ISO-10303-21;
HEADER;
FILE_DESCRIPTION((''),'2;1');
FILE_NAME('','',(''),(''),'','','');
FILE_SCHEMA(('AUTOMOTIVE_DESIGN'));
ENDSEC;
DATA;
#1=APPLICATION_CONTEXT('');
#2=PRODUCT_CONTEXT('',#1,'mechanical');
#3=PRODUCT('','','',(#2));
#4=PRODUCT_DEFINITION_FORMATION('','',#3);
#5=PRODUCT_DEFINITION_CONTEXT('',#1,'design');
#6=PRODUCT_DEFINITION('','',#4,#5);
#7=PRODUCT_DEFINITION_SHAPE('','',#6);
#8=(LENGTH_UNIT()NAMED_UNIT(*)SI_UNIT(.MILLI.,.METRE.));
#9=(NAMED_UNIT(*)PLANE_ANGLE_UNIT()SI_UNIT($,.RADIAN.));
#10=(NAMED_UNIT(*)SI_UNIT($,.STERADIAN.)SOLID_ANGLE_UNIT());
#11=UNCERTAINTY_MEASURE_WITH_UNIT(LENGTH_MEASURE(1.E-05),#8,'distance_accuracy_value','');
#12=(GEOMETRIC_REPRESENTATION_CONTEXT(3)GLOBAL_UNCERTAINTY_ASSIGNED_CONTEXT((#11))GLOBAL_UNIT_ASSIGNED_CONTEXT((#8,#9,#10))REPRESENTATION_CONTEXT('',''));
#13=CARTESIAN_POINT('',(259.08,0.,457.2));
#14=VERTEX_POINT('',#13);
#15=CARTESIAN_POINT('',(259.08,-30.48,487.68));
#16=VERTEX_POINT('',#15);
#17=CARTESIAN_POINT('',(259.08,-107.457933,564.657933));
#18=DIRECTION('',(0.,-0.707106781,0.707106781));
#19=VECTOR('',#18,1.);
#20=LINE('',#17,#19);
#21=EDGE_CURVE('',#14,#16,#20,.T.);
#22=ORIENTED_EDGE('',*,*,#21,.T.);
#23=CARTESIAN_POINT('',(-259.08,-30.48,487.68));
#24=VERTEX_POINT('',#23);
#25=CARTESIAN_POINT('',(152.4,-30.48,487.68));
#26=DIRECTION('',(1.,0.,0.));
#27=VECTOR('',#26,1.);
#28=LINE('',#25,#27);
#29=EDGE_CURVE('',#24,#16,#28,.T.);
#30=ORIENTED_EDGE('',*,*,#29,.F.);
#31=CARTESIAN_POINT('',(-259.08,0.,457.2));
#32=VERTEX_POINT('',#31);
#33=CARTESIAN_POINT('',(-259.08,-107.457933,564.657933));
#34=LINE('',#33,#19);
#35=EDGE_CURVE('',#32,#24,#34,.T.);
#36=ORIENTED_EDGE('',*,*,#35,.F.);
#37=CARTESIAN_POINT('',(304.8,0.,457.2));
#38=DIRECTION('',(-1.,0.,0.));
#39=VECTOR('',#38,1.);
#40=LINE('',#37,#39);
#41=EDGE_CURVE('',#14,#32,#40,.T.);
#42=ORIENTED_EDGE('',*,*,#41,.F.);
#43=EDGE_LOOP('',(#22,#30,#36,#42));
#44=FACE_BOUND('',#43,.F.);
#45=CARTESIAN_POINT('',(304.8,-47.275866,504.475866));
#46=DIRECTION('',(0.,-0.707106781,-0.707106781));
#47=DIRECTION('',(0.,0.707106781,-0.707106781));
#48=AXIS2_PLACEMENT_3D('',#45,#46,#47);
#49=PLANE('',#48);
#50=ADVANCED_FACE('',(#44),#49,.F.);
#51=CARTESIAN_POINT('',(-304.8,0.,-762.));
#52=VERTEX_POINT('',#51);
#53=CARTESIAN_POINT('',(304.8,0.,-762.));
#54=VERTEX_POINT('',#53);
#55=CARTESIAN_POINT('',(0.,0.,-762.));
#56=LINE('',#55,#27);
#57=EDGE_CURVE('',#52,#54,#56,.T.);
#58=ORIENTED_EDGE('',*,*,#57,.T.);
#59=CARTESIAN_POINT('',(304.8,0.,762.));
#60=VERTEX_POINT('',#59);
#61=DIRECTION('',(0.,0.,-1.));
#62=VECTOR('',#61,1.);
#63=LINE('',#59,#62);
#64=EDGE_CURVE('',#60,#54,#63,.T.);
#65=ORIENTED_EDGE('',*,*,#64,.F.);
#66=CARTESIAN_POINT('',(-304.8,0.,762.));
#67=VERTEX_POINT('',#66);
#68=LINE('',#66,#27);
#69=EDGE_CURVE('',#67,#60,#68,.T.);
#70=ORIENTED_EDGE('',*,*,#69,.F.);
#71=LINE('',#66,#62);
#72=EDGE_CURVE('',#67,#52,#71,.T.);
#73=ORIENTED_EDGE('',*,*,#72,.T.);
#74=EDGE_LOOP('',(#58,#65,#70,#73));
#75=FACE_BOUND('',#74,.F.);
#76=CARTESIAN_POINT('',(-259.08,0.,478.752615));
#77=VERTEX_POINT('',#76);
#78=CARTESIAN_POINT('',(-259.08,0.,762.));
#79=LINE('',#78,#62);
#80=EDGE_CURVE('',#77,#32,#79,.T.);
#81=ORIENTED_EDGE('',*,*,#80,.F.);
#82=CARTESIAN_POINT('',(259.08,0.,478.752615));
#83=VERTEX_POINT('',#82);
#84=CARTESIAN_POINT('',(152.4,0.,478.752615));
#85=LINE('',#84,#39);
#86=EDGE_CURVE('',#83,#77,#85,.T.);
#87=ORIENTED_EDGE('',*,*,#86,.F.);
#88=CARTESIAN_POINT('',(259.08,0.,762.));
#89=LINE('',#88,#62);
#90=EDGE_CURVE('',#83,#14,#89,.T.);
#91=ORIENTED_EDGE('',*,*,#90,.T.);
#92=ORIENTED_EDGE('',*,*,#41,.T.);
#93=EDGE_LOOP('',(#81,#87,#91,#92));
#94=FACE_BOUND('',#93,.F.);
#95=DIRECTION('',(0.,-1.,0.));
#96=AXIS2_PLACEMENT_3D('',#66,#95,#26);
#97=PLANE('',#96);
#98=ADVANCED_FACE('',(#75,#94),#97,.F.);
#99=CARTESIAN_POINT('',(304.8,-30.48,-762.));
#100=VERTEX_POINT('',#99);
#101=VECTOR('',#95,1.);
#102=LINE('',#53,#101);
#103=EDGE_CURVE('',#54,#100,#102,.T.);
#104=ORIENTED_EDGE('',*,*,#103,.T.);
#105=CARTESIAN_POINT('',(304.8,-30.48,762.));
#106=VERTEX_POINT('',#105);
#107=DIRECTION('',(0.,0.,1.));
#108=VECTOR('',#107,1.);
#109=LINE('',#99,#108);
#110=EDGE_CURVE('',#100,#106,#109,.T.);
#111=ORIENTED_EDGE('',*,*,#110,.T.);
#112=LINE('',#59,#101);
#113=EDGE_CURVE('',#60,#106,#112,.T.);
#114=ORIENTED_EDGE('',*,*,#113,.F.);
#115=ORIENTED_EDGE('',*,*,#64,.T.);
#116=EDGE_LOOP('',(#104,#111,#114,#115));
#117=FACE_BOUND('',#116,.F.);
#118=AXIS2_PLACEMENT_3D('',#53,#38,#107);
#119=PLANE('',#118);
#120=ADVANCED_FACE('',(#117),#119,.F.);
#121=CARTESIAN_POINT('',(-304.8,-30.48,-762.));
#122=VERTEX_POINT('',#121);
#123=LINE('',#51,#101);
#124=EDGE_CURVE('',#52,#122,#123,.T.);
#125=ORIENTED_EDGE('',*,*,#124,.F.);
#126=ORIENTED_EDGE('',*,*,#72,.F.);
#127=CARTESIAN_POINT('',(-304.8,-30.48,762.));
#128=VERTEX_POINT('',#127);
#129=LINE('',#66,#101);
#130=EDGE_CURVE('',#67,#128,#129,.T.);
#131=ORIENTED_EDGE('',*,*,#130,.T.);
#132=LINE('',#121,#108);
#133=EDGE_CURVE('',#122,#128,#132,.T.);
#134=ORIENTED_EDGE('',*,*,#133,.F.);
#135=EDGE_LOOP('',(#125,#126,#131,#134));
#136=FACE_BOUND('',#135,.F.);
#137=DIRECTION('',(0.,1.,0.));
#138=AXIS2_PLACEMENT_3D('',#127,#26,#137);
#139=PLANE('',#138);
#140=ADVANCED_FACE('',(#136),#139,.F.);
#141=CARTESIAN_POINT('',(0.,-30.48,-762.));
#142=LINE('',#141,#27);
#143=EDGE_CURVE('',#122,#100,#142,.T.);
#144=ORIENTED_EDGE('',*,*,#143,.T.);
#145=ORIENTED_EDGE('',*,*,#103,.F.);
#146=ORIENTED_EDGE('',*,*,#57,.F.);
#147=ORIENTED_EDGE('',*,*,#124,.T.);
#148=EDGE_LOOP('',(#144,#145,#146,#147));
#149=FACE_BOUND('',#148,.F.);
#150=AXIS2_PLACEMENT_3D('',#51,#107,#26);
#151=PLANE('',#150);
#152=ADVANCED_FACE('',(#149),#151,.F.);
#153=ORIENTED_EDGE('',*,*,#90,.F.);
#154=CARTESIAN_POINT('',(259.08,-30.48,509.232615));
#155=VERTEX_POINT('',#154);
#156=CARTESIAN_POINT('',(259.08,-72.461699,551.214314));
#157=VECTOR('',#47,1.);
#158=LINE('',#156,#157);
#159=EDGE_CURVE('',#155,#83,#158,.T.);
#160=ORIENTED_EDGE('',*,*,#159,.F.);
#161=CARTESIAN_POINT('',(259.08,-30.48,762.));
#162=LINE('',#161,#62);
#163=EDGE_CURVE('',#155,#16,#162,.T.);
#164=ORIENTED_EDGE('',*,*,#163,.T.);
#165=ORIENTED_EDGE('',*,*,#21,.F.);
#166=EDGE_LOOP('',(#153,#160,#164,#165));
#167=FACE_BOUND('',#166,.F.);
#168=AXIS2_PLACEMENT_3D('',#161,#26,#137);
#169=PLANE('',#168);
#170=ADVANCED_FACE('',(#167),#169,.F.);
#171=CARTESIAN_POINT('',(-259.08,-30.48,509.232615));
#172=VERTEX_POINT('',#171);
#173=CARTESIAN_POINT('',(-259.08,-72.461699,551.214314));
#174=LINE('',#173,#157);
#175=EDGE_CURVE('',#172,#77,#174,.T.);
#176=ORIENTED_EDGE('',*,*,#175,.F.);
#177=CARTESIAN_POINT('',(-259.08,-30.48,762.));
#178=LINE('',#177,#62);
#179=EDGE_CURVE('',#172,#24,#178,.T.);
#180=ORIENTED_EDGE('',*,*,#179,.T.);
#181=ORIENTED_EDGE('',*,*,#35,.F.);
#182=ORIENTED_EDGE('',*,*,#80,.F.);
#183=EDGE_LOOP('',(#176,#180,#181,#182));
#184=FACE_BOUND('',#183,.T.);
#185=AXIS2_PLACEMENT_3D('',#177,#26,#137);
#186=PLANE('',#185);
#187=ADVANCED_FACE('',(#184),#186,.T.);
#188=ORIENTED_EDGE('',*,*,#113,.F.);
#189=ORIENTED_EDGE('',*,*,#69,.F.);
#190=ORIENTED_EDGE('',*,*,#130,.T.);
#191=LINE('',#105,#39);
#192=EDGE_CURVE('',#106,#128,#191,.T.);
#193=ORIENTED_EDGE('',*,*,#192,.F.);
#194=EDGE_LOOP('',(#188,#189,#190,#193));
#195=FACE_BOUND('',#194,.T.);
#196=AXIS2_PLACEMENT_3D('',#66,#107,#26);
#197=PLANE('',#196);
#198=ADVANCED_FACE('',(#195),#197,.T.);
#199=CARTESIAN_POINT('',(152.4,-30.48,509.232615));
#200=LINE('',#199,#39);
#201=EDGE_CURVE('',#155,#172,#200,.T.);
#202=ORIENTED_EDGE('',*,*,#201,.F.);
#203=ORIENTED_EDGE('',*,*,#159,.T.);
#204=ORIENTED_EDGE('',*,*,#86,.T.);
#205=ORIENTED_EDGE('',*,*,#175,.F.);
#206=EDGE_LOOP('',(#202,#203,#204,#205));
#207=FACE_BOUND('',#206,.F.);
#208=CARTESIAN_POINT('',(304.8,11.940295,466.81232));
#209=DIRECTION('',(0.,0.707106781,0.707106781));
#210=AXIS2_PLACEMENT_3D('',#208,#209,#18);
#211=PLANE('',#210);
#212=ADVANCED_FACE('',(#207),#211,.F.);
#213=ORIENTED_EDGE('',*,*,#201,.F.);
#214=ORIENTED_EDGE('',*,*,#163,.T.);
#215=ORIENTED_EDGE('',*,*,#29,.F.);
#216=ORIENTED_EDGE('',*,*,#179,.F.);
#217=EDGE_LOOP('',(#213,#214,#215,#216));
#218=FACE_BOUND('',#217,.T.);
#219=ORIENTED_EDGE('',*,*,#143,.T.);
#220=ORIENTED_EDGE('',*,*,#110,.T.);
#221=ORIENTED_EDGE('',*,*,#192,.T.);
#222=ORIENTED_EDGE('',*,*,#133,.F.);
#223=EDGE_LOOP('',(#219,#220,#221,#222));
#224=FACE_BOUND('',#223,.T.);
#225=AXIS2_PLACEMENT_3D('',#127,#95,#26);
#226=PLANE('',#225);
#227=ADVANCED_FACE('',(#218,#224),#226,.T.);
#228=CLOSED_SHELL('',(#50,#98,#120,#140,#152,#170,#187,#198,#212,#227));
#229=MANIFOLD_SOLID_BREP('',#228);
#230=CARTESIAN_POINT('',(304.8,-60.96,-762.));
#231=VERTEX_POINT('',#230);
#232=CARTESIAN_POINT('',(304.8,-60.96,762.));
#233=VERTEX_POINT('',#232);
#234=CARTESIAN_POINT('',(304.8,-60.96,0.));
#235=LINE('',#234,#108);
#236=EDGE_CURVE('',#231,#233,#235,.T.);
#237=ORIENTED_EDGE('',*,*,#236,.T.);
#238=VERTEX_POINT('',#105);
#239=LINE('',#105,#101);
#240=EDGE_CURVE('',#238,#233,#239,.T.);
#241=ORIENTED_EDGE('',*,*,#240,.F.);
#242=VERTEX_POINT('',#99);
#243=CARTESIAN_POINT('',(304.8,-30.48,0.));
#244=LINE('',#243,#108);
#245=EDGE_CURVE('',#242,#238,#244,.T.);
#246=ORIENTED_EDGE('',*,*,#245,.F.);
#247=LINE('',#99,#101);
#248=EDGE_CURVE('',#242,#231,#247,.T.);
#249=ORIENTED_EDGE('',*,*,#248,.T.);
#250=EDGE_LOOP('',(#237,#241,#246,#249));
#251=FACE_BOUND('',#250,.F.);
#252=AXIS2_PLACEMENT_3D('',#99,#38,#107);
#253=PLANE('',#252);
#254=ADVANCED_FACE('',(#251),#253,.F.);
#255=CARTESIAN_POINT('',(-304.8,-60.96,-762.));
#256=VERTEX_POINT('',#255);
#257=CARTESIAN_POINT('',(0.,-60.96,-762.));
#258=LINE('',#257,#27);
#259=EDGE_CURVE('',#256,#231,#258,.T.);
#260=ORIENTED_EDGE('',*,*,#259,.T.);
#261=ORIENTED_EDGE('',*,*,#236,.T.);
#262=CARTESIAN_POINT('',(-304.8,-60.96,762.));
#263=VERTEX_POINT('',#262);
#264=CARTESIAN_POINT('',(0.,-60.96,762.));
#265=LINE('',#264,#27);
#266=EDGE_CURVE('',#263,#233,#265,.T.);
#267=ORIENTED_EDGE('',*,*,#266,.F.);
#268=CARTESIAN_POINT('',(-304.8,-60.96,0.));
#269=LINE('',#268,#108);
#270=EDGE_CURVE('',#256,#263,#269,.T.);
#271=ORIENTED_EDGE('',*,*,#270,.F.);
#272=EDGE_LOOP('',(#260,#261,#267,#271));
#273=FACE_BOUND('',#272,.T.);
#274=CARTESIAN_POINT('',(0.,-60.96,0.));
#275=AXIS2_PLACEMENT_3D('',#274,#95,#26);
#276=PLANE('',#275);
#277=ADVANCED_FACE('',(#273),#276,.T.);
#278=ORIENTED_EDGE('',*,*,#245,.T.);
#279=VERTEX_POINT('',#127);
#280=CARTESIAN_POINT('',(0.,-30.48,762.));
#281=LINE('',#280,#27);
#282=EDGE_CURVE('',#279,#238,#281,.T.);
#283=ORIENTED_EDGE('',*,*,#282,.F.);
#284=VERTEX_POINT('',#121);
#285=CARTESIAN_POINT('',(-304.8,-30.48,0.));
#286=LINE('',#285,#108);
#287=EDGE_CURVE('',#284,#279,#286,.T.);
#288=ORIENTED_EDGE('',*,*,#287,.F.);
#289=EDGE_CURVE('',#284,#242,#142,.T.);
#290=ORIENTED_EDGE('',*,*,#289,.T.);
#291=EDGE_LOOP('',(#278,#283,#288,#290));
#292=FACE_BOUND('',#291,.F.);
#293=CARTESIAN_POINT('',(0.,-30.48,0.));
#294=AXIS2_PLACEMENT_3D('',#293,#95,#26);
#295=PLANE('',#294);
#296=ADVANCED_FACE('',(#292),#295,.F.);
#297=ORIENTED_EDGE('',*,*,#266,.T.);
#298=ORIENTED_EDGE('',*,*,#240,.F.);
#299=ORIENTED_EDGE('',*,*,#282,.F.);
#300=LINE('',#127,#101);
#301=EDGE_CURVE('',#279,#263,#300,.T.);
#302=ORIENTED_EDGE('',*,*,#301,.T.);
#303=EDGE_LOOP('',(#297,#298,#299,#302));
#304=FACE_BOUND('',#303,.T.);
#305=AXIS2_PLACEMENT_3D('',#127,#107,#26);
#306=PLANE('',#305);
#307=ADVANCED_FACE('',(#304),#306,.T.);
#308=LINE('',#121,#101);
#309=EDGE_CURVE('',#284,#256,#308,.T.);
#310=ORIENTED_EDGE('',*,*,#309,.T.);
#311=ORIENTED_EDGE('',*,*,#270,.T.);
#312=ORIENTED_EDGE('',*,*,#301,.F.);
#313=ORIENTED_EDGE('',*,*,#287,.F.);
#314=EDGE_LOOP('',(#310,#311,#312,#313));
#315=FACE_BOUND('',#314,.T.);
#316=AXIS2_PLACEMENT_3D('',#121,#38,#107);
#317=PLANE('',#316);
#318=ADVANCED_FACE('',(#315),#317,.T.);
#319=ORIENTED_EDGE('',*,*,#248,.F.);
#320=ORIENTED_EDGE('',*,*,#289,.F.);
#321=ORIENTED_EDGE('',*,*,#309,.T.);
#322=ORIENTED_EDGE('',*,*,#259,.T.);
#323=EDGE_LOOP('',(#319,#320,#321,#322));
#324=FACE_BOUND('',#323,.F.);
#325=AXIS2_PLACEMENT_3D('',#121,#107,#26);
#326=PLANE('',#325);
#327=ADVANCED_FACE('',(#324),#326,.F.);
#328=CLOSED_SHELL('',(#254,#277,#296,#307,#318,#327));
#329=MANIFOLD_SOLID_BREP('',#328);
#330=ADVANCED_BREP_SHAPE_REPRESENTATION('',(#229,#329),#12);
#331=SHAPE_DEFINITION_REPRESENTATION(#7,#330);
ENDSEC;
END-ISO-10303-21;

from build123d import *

# Parameters (mm, degrees)
F0_W     = 609.6
F0_H     = 1524
F1_DEPTH = 30.48
F3_DEPTH = 609.6
F4_W     = 45.72
F4_H     = 30.48
F5_DEPTH = 609.6
F6_W     = 609.6
F6_H     = 1524
F7_DEPTH = 30.48


with BuildPart() as f1:
    # F0 (on Front) → F1 (new body)
    with BuildSketch(Plane.XZ):
        Rectangle(F0_W, F0_H)
    extrude(amount=F1_DEPTH)

    # F2 (on face) → F3 (cut)
    with BuildSketch(Plane.YZ.offset(304.8)):
        Polygon((-30.48, 487.68), (0, 457.2), (11.940295, 466.81232), (-36.499559, 515.252174), (-47.275866, 504.475866), align=None)
    extrude(amount=-F3_DEPTH, mode=Mode.SUBTRACT)

    # F4 (on face) → F5 (join)
    with BuildSketch(Plane.XY.offset(762)):
        with Locations((-281.94, -15.24)):
            Rectangle(F4_W, F4_H)
        with Locations((281.94, -15.24)):
            Rectangle(F4_W, F4_H)
    extrude(amount=-F5_DEPTH)


with BuildPart() as f7:
    # F6 (on face) → F7 (new body)
    with BuildSketch(Plane.XZ.offset(30.48)):
        Rectangle(F6_W, F6_H)
    extrude(amount=F7_DEPTH)


solid = Compound([f1.part, f7.part])
